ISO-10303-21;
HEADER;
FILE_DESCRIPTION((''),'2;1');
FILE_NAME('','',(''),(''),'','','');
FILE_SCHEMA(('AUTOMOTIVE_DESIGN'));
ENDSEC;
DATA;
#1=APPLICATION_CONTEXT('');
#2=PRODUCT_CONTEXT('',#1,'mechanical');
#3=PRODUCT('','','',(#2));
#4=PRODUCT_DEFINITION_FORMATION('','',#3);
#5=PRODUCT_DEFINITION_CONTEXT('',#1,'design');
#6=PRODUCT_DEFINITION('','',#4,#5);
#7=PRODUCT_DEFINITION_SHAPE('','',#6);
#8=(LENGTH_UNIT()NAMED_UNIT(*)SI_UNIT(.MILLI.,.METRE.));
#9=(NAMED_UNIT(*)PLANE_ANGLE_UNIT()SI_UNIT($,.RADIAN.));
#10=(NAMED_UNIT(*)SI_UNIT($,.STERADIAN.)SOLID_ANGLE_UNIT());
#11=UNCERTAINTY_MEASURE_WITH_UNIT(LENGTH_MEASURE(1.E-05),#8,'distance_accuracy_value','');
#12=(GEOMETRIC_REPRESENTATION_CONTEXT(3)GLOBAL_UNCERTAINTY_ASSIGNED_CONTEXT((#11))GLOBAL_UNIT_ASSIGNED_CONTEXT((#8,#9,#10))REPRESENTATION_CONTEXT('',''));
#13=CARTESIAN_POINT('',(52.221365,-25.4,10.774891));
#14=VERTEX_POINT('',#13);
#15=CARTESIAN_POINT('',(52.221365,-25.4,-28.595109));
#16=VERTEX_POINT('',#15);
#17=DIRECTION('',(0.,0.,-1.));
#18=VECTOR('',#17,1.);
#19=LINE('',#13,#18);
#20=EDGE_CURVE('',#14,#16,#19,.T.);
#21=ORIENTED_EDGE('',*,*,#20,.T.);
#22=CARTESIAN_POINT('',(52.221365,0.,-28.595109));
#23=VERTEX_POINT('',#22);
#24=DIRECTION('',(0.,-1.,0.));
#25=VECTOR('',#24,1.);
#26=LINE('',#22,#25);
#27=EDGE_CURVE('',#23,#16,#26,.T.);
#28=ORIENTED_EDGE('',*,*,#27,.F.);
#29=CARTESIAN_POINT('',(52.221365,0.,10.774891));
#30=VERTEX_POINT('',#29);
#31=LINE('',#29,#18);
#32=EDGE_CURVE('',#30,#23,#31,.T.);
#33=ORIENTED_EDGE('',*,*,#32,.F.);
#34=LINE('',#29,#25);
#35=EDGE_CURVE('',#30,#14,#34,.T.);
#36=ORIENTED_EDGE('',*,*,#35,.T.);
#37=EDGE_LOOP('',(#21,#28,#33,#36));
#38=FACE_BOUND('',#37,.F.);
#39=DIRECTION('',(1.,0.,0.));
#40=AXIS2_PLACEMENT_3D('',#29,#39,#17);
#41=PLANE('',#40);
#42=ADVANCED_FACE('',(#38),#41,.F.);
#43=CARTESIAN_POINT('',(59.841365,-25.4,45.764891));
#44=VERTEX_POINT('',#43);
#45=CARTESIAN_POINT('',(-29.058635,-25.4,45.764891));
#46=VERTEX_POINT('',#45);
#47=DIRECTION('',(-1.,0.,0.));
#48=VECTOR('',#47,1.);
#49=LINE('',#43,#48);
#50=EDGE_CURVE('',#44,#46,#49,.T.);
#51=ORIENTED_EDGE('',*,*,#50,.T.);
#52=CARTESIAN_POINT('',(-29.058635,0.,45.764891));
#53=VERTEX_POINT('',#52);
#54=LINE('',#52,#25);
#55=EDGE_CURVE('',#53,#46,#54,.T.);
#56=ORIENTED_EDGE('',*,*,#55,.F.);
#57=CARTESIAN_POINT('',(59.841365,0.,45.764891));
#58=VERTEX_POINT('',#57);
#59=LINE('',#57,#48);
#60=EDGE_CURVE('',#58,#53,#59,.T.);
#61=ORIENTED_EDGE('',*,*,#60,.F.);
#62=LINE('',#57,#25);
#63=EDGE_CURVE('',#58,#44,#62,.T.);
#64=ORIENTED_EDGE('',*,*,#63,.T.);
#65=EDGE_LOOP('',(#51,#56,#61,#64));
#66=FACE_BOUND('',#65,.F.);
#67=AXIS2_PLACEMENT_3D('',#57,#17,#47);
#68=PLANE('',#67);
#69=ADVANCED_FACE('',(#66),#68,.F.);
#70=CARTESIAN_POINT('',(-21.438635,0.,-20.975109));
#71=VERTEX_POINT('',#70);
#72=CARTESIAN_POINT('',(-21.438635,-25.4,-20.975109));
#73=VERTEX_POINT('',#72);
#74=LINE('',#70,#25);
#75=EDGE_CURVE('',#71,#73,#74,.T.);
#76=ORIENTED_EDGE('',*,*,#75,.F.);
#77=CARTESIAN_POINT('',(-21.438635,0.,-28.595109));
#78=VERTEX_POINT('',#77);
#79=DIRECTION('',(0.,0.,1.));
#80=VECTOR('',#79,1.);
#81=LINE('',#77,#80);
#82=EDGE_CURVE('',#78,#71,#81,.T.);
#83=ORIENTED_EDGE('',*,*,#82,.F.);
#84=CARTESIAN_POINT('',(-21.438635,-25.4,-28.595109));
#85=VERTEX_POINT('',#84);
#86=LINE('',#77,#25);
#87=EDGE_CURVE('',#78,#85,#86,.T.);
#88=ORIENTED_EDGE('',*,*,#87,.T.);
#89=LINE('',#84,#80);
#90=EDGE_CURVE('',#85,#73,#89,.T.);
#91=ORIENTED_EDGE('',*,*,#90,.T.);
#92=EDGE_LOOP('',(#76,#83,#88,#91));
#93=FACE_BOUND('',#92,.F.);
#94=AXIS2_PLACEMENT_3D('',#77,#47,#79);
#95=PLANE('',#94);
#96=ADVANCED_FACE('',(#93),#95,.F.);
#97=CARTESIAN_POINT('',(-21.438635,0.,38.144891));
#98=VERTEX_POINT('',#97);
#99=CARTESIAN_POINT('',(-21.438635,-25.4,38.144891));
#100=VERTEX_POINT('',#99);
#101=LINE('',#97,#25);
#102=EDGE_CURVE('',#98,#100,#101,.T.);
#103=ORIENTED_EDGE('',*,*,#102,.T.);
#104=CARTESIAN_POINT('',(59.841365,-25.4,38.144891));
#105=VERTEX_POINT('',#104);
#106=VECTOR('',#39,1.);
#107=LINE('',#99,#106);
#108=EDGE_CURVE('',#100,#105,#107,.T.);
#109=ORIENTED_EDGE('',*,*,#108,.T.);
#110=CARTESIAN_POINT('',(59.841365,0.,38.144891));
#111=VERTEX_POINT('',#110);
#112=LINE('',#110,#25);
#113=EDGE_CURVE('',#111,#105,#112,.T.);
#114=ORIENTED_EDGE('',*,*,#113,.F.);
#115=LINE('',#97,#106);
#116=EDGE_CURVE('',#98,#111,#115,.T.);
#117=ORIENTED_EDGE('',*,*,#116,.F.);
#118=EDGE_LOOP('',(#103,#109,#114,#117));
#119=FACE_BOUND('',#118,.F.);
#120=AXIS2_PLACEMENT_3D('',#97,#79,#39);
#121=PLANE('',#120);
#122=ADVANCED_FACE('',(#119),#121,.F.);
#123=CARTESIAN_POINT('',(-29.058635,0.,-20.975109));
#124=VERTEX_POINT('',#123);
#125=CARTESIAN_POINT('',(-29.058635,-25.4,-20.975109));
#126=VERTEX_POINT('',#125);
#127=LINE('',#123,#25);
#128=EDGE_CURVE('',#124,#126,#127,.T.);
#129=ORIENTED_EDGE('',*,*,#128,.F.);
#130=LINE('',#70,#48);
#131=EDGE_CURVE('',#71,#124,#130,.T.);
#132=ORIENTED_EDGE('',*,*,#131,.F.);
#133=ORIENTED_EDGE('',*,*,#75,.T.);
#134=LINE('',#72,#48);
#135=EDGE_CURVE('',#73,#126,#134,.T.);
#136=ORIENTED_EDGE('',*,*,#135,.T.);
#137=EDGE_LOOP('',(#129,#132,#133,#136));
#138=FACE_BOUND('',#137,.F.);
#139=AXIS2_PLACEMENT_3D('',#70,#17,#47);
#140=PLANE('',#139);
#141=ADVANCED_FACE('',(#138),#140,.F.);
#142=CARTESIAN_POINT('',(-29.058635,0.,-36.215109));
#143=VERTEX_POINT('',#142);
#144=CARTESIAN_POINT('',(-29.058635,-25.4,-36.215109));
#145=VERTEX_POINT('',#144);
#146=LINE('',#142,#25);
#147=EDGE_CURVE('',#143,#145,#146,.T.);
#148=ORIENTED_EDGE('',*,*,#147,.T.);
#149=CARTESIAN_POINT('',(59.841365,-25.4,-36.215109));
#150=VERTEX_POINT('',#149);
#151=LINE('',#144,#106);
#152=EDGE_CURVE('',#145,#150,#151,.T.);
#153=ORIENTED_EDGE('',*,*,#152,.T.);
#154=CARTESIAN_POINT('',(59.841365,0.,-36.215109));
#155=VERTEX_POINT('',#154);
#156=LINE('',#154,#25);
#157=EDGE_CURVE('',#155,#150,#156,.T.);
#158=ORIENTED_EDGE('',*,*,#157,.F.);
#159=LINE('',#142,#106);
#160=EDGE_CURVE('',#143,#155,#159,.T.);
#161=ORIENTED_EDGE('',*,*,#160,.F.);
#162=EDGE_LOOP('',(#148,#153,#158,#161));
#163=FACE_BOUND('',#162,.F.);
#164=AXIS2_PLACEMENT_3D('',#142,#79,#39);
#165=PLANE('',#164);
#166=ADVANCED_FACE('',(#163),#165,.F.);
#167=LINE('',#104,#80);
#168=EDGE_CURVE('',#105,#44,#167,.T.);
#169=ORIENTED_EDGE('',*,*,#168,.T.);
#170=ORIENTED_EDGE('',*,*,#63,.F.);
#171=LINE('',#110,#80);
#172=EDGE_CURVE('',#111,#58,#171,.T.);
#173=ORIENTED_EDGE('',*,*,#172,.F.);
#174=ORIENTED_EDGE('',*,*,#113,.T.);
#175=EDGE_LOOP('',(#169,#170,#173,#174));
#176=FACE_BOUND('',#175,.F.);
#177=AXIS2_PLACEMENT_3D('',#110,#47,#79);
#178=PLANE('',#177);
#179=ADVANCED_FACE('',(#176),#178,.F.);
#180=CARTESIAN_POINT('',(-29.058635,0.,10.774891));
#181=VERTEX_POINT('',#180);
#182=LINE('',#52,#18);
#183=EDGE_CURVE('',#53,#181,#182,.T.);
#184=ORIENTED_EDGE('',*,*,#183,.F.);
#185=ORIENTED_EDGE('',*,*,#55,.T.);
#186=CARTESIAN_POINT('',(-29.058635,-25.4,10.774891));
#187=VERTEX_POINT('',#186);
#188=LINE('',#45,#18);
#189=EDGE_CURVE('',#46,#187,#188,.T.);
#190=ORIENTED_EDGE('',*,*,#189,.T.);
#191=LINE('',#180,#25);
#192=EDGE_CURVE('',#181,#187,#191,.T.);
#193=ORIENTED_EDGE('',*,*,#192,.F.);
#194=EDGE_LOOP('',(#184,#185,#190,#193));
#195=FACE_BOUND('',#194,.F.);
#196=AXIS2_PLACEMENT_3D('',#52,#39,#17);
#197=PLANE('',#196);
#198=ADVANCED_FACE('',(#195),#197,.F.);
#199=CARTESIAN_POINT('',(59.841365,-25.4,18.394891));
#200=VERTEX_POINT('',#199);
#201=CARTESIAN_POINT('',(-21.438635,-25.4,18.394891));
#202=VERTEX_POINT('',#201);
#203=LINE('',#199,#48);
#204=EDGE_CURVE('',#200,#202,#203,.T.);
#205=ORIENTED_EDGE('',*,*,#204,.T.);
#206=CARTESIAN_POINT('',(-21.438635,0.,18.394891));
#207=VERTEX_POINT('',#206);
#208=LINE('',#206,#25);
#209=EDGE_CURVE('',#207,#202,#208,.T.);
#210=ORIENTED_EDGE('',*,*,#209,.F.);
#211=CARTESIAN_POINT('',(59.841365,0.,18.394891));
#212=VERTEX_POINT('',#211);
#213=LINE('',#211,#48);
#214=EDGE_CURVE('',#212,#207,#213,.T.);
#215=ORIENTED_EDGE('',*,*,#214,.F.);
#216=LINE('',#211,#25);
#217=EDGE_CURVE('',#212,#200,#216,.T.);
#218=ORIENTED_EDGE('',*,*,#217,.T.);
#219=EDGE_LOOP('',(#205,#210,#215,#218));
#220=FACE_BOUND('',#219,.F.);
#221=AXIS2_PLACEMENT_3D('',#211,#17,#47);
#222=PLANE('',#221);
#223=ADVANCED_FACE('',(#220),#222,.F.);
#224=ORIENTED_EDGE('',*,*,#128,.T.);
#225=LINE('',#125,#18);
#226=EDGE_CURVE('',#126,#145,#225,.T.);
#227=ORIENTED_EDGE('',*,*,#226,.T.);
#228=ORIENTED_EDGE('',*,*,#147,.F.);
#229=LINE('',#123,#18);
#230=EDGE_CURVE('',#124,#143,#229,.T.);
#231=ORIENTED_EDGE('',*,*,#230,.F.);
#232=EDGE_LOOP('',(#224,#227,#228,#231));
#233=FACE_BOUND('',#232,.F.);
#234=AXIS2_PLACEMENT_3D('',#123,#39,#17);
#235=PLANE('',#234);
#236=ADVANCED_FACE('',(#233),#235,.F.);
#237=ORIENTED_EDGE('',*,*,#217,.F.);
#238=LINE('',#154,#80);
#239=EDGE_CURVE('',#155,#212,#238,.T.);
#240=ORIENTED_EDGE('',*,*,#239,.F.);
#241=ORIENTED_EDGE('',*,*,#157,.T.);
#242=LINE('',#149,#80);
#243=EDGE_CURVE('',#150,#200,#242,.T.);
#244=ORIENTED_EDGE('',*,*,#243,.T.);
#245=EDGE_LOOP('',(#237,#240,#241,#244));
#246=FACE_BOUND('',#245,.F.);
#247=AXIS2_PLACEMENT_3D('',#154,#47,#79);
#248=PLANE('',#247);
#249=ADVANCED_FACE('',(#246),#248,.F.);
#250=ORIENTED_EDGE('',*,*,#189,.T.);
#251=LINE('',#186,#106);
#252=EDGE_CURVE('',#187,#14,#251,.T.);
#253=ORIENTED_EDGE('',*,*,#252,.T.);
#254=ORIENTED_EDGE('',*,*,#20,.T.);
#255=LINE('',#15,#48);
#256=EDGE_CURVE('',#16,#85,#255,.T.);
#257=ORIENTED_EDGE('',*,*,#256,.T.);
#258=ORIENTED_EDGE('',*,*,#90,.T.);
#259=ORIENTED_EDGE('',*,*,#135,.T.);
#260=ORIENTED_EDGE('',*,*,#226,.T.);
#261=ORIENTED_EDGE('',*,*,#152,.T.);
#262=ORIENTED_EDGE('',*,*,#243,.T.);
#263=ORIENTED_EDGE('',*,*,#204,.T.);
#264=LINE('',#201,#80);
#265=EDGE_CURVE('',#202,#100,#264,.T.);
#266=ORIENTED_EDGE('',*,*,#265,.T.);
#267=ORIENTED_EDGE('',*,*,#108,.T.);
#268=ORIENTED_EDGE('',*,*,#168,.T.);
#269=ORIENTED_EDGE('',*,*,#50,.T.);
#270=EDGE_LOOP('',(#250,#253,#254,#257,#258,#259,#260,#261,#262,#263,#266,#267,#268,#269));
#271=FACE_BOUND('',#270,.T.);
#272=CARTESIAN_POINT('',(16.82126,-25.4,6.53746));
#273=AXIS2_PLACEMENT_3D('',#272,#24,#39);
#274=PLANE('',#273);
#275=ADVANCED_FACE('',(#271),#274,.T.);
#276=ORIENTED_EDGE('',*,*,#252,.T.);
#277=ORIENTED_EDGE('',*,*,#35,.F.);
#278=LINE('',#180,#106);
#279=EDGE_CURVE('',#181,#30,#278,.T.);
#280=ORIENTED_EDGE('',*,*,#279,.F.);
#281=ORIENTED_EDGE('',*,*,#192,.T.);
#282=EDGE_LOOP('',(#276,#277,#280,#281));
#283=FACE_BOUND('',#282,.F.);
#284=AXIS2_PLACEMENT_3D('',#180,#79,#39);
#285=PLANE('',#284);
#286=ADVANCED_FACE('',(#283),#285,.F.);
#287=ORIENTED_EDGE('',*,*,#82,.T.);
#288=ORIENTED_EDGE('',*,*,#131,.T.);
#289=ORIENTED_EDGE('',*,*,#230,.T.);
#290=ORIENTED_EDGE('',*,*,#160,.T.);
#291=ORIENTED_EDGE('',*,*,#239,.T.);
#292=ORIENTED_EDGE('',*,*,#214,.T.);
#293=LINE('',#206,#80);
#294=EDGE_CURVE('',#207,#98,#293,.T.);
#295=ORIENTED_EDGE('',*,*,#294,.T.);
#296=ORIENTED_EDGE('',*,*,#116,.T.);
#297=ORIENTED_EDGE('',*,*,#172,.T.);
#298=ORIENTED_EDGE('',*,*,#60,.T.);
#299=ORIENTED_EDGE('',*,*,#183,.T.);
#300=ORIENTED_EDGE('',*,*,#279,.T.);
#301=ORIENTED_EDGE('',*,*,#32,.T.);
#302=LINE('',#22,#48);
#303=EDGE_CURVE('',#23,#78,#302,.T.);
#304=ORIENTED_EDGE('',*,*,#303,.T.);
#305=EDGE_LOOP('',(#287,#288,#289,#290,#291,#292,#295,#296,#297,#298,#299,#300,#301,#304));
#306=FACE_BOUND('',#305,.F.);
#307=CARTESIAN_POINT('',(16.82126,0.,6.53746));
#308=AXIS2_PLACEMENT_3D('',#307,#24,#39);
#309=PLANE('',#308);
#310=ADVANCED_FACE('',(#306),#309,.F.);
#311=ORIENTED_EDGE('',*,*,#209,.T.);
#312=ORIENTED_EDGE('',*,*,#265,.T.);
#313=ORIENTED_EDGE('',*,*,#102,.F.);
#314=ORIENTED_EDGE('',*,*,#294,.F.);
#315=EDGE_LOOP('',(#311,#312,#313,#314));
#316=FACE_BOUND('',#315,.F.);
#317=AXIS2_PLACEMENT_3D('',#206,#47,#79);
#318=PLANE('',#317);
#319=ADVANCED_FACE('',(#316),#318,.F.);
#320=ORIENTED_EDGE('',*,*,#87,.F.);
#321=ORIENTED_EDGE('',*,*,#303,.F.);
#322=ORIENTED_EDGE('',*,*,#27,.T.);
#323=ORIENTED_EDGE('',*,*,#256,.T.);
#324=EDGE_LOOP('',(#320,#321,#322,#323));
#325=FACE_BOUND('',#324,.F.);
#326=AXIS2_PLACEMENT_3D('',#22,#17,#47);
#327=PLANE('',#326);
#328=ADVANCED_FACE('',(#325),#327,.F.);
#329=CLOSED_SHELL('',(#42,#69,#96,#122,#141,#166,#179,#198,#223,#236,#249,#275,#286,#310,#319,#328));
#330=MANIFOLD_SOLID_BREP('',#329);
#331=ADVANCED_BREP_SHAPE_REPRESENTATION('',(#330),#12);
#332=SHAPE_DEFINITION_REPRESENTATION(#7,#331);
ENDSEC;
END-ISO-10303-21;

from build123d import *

# Parameters (mm, degrees)
F1_DEPTH = 25.4


with BuildPart() as f1:
    # F0 (on Front) → F1 (new body)
    with BuildSketch(Plane.XZ):
        Polygon((59.841365, 38.144891), (59.841365, 45.764891), (-29.058635, 45.764891), (-29.058635, 38.144891), (-29.058635, 10.774891), (-21.438635, 10.774891), (52.221365, 10.774891), (52.221365, -28.595109), (-21.438635, -28.595109), (-21.438635, -20.975109), (-29.058635, -20.975109), (-29.058635, -28.595109), (-29.058635, -36.215109), (59.841365, -36.215109), (59.841365, -28.595109), (59.841365, 10.774891), (59.841365, 18.394891), (-21.438635, 18.394891), (-21.438635, 38.144891), align=None)
    extrude(amount=F1_DEPTH)


solid = f1.part
